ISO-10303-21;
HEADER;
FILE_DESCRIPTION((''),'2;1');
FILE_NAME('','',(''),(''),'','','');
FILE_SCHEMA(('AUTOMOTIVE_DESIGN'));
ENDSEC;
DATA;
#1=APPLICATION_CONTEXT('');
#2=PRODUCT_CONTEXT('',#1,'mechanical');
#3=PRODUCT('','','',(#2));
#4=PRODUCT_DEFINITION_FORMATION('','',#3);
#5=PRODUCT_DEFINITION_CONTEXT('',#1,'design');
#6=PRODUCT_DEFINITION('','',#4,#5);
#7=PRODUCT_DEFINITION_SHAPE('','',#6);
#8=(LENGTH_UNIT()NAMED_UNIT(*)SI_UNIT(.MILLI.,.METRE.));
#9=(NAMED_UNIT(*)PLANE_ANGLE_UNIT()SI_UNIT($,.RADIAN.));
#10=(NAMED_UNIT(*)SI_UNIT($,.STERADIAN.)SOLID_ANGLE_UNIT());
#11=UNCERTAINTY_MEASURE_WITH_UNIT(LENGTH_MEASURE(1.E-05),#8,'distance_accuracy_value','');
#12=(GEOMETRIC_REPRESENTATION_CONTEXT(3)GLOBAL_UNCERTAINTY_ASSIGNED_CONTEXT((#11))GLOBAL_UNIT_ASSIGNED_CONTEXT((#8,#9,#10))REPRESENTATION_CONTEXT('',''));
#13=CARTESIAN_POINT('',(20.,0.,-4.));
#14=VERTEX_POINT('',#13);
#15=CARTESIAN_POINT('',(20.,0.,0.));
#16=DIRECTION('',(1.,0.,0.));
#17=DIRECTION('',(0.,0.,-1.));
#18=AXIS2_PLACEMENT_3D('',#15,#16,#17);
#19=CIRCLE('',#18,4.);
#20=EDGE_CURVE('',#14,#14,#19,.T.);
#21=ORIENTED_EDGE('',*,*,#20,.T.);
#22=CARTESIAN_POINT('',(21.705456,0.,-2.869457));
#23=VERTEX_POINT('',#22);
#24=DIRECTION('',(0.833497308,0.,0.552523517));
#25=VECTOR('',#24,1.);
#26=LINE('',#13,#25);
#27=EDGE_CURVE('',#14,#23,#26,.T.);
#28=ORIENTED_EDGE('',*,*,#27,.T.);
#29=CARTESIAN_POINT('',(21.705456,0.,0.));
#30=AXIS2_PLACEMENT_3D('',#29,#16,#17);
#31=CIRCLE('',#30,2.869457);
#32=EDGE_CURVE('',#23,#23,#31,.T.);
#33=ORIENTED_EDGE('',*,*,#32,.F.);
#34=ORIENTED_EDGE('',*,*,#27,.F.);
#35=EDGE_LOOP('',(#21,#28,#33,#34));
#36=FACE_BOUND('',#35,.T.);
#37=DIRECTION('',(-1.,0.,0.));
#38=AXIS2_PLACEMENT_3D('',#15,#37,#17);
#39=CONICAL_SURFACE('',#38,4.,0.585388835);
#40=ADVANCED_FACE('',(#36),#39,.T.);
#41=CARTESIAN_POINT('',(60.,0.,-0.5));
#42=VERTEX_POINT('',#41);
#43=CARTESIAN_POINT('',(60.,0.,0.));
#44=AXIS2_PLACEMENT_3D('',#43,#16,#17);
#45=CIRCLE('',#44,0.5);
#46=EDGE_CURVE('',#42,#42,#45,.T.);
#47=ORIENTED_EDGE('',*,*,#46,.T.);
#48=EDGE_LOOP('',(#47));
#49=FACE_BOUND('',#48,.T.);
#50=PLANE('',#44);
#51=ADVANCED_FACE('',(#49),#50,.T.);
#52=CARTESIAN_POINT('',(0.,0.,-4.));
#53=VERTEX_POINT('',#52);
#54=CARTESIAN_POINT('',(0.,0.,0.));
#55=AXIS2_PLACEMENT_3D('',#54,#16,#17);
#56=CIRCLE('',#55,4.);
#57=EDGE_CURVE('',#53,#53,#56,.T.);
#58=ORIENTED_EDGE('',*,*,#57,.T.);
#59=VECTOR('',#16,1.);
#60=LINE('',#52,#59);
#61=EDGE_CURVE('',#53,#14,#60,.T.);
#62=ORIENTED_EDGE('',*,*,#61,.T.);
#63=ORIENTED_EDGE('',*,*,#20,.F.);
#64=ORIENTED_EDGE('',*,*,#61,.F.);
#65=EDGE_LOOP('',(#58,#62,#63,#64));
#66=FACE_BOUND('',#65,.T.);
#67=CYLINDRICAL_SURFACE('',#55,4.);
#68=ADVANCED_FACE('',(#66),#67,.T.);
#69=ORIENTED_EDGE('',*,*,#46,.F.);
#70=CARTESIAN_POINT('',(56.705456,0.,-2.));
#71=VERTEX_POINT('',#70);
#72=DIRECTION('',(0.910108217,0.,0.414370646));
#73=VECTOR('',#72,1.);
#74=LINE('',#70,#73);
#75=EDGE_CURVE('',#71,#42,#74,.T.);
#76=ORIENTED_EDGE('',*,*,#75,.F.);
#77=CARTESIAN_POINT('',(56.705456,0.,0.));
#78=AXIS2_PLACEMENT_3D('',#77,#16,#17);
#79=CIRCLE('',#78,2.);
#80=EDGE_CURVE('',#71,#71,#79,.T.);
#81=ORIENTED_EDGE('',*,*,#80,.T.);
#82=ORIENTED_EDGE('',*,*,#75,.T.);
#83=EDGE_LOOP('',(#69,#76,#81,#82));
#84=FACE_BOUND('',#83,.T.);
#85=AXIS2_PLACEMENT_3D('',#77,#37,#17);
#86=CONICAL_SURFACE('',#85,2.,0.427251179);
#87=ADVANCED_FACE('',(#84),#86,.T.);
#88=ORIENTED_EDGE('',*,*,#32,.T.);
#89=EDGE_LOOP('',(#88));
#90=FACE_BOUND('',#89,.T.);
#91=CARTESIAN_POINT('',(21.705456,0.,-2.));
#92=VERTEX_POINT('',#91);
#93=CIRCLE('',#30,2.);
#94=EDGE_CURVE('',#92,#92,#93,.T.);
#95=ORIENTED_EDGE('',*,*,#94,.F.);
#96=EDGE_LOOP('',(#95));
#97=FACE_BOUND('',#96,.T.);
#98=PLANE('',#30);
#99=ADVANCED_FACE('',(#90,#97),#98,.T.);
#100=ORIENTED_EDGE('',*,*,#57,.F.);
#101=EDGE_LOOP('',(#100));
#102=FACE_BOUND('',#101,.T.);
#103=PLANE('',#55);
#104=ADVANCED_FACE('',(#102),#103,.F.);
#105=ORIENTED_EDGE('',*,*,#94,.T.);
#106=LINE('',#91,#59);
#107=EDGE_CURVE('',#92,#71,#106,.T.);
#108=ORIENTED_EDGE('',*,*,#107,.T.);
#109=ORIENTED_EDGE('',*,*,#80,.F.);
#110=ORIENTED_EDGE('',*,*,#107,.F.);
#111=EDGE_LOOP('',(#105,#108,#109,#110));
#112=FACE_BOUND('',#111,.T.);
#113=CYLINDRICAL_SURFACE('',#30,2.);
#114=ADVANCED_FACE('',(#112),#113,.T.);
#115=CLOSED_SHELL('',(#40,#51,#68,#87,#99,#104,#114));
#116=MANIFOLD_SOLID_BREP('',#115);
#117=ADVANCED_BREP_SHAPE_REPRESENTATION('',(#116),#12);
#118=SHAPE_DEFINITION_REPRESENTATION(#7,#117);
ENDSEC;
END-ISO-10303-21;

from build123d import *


with BuildPart() as part:
    # Sketch → Revolution (revolve)
    with BuildSketch(Plane.XZ):
        Polygon((0, -4), (20, -4), (21.705456, -2.869457), (21.705456, -2), (56.705456, -2), (60, -0.5), (60, 0), (0, 0), align=None)
    revolve(axis=Axis((0, 0, 0), (1, 0, 0)))


solid = part.part
